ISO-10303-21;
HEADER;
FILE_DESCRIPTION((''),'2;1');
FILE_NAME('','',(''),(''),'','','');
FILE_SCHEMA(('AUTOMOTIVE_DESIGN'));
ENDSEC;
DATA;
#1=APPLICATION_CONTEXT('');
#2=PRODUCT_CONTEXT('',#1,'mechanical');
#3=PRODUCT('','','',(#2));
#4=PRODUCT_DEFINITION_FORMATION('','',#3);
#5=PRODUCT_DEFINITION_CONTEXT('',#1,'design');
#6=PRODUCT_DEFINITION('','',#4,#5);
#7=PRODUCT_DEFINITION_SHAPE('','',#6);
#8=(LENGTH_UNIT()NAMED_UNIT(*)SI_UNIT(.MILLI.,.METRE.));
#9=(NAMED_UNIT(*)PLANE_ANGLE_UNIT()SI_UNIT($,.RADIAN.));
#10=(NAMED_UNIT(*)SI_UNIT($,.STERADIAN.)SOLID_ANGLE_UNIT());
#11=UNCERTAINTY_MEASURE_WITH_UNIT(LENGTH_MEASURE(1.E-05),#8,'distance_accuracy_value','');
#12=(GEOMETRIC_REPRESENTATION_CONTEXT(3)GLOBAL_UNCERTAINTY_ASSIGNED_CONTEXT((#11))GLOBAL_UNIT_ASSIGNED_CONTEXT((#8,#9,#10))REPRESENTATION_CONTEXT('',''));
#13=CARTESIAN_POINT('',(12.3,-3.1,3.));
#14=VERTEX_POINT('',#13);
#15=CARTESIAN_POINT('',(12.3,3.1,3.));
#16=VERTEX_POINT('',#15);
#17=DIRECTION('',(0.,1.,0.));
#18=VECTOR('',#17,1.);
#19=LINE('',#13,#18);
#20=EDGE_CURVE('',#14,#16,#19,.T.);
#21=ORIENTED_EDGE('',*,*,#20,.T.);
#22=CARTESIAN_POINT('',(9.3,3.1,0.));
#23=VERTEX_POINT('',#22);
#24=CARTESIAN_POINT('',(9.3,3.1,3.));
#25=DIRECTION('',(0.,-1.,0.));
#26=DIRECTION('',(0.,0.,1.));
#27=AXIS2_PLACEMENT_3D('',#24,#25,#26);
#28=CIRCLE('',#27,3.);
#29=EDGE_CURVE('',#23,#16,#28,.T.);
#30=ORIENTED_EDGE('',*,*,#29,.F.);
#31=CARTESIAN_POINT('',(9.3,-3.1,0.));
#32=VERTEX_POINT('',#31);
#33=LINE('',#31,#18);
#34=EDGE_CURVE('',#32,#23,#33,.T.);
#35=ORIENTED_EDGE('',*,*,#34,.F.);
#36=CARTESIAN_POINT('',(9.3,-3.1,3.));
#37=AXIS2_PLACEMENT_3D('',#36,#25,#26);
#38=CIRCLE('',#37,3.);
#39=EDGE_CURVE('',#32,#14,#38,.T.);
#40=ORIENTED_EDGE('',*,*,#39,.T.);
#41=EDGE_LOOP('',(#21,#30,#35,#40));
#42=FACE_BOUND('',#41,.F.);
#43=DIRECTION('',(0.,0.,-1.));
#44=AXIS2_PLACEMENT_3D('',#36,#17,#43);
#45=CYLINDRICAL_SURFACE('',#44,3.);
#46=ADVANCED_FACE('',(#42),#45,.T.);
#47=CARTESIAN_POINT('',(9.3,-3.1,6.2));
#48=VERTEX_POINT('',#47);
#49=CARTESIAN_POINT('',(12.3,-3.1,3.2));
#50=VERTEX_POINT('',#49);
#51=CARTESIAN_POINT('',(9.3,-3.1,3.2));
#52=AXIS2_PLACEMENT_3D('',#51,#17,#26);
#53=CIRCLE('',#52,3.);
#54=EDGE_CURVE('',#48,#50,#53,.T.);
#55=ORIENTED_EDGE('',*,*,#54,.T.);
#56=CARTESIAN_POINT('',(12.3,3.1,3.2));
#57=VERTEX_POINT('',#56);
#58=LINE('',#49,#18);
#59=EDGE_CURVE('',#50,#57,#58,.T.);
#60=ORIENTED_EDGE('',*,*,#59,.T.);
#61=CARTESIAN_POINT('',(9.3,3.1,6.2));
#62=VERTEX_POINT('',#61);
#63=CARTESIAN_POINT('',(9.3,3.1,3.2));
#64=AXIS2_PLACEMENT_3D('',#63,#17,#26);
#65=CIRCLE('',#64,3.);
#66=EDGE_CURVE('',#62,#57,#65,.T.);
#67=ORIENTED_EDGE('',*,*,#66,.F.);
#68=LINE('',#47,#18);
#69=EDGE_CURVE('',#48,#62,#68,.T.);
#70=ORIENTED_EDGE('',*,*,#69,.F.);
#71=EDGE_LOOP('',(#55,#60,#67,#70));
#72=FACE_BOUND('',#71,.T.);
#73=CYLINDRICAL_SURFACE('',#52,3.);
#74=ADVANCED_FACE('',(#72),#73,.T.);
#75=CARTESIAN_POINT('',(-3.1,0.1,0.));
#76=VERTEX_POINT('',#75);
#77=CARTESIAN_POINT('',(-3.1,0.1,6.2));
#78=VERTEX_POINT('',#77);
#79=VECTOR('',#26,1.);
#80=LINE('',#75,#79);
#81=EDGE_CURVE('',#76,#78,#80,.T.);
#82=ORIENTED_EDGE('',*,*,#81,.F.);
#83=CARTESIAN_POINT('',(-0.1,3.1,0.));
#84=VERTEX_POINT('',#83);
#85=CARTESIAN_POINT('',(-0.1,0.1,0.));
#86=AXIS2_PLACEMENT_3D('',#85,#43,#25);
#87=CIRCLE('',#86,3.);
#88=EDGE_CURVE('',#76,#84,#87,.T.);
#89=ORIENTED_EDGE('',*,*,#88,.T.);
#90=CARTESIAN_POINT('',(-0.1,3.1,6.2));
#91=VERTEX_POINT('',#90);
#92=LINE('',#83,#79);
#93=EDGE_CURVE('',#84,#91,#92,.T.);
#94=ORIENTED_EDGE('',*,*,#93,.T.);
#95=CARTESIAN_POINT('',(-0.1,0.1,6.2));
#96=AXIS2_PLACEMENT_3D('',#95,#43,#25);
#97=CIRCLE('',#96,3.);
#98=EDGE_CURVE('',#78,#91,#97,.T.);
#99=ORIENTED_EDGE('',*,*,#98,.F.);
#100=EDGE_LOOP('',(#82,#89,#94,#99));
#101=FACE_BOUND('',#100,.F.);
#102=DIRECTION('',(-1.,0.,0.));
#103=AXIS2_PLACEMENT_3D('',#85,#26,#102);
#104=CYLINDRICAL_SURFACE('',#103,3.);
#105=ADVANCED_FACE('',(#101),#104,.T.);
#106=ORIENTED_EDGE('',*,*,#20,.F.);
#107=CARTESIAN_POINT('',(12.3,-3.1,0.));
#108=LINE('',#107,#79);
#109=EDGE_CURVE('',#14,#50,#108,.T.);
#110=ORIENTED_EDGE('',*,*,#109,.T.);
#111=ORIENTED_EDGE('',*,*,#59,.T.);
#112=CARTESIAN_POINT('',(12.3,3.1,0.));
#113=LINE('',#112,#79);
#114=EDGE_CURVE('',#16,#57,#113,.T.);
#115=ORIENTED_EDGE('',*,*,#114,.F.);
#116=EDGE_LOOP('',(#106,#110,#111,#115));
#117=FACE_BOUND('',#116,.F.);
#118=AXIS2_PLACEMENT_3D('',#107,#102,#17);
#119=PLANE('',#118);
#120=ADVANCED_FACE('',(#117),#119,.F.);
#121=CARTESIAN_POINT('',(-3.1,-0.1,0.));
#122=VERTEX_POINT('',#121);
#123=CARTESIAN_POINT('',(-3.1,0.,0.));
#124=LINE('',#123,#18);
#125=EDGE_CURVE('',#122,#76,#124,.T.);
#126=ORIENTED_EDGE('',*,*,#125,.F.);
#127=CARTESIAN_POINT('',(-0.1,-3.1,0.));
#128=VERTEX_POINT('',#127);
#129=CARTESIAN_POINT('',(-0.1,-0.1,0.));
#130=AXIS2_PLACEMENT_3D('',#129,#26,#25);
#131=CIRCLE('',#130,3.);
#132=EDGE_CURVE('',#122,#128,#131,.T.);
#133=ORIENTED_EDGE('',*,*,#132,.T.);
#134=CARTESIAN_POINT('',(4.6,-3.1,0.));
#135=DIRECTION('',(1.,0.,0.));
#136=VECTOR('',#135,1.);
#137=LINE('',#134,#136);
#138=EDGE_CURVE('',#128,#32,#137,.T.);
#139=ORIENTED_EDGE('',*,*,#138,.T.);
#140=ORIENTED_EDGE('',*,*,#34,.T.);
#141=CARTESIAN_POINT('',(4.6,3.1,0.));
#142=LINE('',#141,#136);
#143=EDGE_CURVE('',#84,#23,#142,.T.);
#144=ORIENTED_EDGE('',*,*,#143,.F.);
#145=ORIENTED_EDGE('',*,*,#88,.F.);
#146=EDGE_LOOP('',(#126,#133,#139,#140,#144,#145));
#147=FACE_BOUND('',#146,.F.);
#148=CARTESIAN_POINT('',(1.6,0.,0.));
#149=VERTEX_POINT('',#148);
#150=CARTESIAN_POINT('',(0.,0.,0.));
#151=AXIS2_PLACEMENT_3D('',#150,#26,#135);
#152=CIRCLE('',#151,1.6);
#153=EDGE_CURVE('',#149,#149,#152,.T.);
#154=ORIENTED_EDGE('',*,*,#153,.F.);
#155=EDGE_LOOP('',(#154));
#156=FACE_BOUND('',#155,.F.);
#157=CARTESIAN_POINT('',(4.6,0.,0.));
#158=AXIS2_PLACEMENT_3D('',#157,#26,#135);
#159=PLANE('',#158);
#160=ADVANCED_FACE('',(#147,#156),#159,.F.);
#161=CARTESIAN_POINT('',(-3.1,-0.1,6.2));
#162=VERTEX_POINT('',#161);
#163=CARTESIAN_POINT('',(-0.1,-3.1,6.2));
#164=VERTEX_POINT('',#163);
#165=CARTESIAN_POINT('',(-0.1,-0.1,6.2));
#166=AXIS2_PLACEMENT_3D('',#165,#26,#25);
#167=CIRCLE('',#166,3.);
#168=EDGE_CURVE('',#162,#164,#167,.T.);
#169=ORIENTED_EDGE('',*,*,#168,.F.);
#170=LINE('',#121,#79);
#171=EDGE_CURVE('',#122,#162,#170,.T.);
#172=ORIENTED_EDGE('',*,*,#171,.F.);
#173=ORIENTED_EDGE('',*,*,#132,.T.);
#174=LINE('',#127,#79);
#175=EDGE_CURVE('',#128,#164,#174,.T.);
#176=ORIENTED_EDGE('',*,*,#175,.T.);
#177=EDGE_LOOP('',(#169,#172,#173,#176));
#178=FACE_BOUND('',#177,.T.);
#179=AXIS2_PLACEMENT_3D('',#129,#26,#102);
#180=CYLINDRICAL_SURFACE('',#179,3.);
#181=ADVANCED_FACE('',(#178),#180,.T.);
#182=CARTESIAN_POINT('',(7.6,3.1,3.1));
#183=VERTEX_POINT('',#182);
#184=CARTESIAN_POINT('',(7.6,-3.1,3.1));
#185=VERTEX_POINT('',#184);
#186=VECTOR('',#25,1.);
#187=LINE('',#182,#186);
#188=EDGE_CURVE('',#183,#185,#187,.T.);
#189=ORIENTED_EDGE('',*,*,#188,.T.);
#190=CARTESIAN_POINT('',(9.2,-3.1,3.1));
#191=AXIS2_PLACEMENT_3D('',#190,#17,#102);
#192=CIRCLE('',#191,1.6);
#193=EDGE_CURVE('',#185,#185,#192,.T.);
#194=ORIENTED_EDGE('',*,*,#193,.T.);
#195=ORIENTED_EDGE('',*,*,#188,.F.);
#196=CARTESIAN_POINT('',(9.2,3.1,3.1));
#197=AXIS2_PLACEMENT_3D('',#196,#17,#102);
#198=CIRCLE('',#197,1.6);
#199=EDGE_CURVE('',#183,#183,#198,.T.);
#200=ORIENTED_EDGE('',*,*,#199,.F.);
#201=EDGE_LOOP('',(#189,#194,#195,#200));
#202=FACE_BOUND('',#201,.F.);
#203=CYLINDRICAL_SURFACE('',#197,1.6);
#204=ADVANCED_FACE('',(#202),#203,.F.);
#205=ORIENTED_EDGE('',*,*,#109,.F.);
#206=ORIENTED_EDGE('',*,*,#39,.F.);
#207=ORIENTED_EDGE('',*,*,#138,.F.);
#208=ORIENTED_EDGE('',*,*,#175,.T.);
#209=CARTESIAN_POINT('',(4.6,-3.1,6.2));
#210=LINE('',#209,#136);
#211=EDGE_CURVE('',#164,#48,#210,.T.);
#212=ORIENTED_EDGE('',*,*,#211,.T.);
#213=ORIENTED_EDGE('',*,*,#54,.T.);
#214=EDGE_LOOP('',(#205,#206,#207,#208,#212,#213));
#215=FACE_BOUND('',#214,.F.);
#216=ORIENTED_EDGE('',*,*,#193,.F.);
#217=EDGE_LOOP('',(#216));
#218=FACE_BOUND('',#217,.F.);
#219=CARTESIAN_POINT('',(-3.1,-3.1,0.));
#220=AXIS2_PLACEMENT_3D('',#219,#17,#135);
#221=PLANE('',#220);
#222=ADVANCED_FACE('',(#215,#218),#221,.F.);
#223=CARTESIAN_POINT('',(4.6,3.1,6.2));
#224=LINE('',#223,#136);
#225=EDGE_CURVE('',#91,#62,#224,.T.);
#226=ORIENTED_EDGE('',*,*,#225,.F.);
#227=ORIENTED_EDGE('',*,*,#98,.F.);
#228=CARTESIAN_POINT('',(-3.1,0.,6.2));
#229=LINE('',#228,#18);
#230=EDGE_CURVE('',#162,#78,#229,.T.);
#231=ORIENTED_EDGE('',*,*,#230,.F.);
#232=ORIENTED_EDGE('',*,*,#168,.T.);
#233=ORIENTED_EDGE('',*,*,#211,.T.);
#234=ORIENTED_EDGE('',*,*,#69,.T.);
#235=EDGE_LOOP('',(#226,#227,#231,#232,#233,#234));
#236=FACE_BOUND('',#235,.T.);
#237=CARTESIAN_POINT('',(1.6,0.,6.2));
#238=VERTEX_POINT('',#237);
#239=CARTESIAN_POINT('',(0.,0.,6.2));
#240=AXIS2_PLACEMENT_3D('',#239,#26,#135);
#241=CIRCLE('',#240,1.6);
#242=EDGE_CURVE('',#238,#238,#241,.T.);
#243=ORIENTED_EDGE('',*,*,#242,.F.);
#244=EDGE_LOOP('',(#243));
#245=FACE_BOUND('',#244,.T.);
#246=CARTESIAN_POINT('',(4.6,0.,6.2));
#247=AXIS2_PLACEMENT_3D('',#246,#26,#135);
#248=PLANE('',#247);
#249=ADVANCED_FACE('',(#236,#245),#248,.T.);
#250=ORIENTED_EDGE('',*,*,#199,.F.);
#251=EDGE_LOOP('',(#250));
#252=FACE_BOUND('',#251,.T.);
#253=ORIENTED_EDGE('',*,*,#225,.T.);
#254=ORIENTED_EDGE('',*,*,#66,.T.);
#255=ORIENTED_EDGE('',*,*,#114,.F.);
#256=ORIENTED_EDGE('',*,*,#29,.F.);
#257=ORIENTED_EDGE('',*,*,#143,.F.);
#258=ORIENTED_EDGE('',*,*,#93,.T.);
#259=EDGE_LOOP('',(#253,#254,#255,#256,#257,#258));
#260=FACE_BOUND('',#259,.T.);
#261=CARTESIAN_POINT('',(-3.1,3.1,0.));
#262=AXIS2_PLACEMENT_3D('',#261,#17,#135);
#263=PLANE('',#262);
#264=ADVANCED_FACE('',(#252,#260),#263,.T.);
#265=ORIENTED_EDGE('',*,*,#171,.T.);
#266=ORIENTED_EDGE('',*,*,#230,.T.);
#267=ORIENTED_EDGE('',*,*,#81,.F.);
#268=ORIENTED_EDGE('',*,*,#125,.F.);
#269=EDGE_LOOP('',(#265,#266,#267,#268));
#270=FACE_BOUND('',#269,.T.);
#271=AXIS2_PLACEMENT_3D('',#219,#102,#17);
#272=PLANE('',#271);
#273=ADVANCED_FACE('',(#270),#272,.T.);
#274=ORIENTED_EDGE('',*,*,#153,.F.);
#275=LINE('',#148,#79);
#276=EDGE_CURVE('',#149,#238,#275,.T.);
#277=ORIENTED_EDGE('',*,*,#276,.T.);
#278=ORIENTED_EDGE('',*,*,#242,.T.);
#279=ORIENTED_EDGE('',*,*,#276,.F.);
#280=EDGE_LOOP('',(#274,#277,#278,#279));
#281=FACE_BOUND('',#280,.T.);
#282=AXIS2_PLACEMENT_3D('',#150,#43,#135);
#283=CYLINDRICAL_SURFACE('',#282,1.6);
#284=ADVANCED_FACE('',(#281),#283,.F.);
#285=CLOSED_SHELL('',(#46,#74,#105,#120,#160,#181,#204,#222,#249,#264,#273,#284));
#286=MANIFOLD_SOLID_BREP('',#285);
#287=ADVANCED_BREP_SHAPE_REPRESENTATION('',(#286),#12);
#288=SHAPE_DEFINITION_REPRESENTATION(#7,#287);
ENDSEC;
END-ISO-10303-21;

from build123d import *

# Parameters (mm, degrees)
SKETCH_W     = 15.4
SKETCH_H     = 6.2
SKETCH_R     = 1.6
PAD_DEPTH    = 6.2
SKETCH001_R  = 1.6
POCKET_DEPTH = 6.201
FILLET_R     = 3
FILLET001_R  = 3


with BuildPart() as part:
    # Sketch → Pad (new body)
    with BuildSketch(Plane.XY):
        with Locations((4.6, 0)):
            Rectangle(SKETCH_W, SKETCH_H)
        Circle(SKETCH_R, mode=Mode.SUBTRACT)
    extrude(amount=PAD_DEPTH)

    # Sketch001 (on Face1 of Pad) → Pocket (cut, through all)
    with BuildSketch(Plane(origin=(0, 3.1, 0), x_dir=(-1, 0, 0), z_dir=(0, 1, 0))):
        with Locations((-9.2, 3.1)):
            Circle(SKETCH001_R)
    extrude(amount=-POCKET_DEPTH, mode=Mode.SUBTRACT)

    # Fillet
    fillet_edges = [part.edges().sort_by_distance(p)[0] for p in [
        (-3.1, -3.1, 3.1),
        (-3.1, 3.1, 3.1),
    ]]
    fillet(fillet_edges, radius=FILLET_R)

    # Fillet001
    fillet001_edges = [part.edges().sort_by_distance(p)[0] for p in [
        (12.3, 0, 6.2),
        (12.3, 0, 0),
    ]]
    fillet(fillet001_edges, radius=FILLET001_R)


solid = part.part
